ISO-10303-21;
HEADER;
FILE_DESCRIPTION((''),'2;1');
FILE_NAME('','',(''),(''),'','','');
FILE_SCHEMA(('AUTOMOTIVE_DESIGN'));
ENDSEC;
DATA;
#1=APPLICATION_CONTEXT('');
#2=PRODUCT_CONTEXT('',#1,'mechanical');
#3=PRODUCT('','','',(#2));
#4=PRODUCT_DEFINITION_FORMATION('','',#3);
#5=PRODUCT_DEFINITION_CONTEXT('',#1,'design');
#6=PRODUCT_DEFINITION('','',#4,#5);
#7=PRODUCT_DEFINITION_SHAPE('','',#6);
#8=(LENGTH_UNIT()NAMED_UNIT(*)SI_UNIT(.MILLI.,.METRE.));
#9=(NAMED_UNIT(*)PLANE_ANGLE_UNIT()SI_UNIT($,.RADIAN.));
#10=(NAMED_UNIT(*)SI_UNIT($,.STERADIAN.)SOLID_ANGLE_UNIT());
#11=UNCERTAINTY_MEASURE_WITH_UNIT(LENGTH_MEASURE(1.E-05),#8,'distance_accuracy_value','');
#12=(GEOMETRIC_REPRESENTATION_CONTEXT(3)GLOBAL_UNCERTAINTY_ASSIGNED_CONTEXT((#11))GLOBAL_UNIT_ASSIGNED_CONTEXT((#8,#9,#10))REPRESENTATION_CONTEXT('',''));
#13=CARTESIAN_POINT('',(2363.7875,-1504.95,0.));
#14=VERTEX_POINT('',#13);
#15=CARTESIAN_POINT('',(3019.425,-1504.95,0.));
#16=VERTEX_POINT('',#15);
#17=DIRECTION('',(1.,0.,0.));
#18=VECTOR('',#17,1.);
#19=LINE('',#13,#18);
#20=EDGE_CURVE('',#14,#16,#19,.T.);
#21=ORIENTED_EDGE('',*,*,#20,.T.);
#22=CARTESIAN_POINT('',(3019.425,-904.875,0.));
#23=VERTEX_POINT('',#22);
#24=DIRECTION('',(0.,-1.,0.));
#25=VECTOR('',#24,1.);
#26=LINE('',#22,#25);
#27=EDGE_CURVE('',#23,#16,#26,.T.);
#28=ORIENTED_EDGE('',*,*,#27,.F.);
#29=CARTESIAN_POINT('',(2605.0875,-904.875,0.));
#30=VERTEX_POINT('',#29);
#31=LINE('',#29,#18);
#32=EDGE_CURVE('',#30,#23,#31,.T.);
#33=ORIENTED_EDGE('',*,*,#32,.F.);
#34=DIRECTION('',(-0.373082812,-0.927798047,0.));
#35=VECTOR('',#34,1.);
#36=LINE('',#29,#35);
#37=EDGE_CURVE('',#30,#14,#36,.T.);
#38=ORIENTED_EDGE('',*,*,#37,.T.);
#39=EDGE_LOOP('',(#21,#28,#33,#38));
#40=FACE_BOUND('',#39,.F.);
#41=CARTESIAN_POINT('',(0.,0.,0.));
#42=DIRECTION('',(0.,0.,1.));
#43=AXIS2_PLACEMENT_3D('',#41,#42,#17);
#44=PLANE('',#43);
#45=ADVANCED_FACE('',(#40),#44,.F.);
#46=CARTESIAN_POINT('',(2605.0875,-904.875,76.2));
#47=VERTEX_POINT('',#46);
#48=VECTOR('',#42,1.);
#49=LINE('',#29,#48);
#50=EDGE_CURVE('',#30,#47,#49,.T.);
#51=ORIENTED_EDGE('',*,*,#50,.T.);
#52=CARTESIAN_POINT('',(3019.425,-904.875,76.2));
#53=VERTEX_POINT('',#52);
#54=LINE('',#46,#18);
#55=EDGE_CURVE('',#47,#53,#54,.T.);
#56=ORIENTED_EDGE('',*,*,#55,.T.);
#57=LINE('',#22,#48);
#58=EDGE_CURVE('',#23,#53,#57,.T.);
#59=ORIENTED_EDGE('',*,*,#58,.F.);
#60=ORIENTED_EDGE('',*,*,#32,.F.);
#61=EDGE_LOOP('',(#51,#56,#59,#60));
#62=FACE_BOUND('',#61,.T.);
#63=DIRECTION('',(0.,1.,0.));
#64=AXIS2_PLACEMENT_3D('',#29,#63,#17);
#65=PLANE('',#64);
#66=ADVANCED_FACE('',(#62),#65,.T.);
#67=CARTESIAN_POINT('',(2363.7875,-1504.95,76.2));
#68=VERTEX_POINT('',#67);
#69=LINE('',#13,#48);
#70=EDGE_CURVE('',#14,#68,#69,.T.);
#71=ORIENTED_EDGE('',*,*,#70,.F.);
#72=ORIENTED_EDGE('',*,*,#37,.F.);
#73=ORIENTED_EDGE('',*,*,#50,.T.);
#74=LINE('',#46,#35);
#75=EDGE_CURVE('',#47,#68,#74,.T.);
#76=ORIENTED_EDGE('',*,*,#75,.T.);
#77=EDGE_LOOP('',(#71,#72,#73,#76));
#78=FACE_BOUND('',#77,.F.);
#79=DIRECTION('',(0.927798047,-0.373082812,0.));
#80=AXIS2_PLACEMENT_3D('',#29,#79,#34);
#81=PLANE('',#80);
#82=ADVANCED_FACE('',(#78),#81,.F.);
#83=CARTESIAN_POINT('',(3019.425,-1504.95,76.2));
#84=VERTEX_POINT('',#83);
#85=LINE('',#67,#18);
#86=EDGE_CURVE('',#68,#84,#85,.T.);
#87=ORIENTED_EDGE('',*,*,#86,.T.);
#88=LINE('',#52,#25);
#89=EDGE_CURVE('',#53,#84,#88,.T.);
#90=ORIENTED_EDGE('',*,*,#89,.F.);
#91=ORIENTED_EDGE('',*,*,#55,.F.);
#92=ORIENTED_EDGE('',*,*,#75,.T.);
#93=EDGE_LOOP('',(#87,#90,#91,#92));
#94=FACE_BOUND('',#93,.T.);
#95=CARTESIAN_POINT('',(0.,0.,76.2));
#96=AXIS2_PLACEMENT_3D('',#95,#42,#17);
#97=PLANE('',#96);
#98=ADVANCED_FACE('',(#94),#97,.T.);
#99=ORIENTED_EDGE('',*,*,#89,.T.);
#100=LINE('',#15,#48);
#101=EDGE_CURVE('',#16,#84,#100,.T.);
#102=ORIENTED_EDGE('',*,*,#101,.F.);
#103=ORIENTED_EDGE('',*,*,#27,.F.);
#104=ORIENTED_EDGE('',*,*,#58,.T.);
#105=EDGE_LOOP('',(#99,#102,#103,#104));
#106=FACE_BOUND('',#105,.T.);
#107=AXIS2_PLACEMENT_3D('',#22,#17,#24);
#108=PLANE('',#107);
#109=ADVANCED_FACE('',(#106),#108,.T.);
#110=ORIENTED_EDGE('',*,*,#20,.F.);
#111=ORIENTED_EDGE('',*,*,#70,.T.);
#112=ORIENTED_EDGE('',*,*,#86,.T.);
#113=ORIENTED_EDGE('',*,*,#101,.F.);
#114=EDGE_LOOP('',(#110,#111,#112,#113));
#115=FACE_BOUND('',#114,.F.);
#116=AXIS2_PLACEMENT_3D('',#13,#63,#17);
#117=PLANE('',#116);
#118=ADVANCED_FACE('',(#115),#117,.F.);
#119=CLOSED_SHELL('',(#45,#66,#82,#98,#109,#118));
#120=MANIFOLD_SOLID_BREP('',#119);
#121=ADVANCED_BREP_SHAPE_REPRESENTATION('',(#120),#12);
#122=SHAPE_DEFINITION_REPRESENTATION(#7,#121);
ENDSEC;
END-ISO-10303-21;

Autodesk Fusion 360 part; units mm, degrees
sketch "Sketch1" plane through (0, 0, 0) normal (0, 0, 1) x (1, 0, 0)
  line L0 (0, 0) -> (0, -600.075)
  line L1 (0, -600.075) -> (744.5375, -600.075)
  line L2 (0, 0) -> (947.7375, 0)
  line L3 (947.7375, 0) -> (744.5375, -600.075)
  line L4 (1049.3375, -600.075) -> (2105.025, -600.075)
  line L5 (1049.3375, -600.075) -> (1252.5375, 0)
  line L6 (2105.025, -600.075) -> (1698.625, 0)
  line L7 (1252.5375, 0) -> (1698.625, 0)
  line L8 (2003.425, 0) -> (3025.775, 0)
  line L9 (2409.825, -600.075) -> (3025.775, -600.075)
  line L10 (3025.775, 0) -> (3025.775, -600.075)
  line L11 (2409.825, -600.075) -> (2003.425, 0)
  line L12 (0, -904.875) -> (0, -1504.95)
  line L13 (0, -1504.95) -> (376.2375, -1504.95)
  line L14 (376.2375, -1504.95) -> (528.6375, -904.875)
  line L15 (0, -904.875) -> (528.6375, -904.875)
  line L16 (579.4375, -1504.95) -> (1636.7125, -1504.95)
  line L17 (731.8375, -904.875) -> (1420.8125, -904.875)
  line L18 (579.4375, -1504.95) -> (731.8375, -904.875)
  line L19 (1420.8125, -904.875) -> (1636.7125, -1504.95)
  line L20 (1839.9125, -1504.95) -> (2160.5875, -1504.95)
  line L21 (1624.0125, -904.875) -> (2401.8875, -904.875)
  line L22 (1624.0125, -904.875) -> (1839.9125, -1504.95)
  line L23 (2160.5875, -1504.95) -> (2401.8875, -904.875)
  line L24 (2363.7875, -1504.95) -> (3019.425, -1504.95)
  line L25 (2605.0875, -904.875) -> (3019.425, -904.875)
  line L26 (3019.425, -904.875) -> (3019.425, -1504.95)
  line L27 (2605.0875, -904.875) -> (2363.7875, -1504.95)
  line L28 (0, -1809.75) -> (0, -2409.825)
  line L29 (0, -1809.75) -> (909.6375, -1809.75)
  line L30 (0, -2409.825) -> (795.3375, -2409.825)
  line L31 (795.3375, -2409.825) -> (909.6375, -1809.75)
  line L32 (1214.4375, -1809.75) -> (2017.7125, -1809.75)
  line L33 (1100.1375, -2409.825) -> (1878.0125, -2409.825)
  line L34 (1100.1375, -2409.825) -> (1214.4375, -1809.75)
  line L35 (1878.0125, -2409.825) -> (2017.7125, -1809.75)
  line L36 (2182.8125, -2409.825) -> (3028.95, -2409.825)
  line L37 (2322.5125, -1809.75) -> (3028.95, -1809.75)
  line L38 (2322.5125, -1809.75) -> (2182.8125, -2409.825)
  line L39 (3028.95, -1809.75) -> (3028.95, -2409.825)
  line L40 (0, -2714.625) -> (0, -3314.7)
  line L41 (0, -2714.625) -> (465.1375, -2714.625)
  line L42 (465.1375, -2714.625) -> (465.1375, -3314.7)
  line L43 (465.1375, -3314.7) -> (0, -3314.7)
  line L44 (668.3375, -3314.7) -> (1268.4125, -3314.7)
  line L45 (668.3375, -3314.7) -> (668.3375, -2714.625)
  line L46 (668.3375, -2714.625) -> (1458.9125, -2714.625)
  line L47 (1458.9125, -2714.625) -> (1268.4125, -3314.7)
  line L48 (1471.6125, -3314.7) -> (2236.7875, -3314.7)
  line L49 (1662.1125, -2714.625) -> (2528.8875, -2714.625)
  line L50 (1471.6125, -3314.7) -> (1662.1125, -2714.625)
  line L51 (2528.8875, -2714.625) -> (2236.7875, -3314.7)
  line L52 (2439.9875, -3314.7) -> (3019.425, -3314.7)
  line L53 (2732.0875, -2714.625) -> (3019.425, -2714.625)
  line L54 (2439.9875, -3314.7) -> (2732.0875, -2714.625)
  line L55 (3019.425, -2714.625) -> (3019.425, -3314.7)
  dimension "d1" = 600.075
  dimension "d2" = 744.5375
  dimension "d3" = 1055.6875
  dimension "d4" = 304.8
  dimension "d5" = 1022.35
  dimension "d6" = 615.95
  dimension "d7" = 0
  dimension "d8" = 304.8
  dimension "d9" = 376.2375
  dimension "d10" = 1057.275
  dimension "d11" = 203.2
  dimension "d12" = 688.975
  dimension "d13" = 320.675
  dimension "d14" = 777.875
  dimension "d15" = 203.2
  dimension "d16" = 655.6375
  dimension "d17" = 414.3375
  dimension "d18" = 203.2
  dimension "d19" = 0
  dimension "d20" = 0
  dimension "d21" = 909.6375
  dimension "d22" = 795.3375
  dimension "d23" = 803.275
  dimension "d24" = 777.875
  dimension "d25" = 304.8
  dimension "d26" = 846.1375
  dimension "d27" = 304.8
  dimension "d28" = 706.4375
  dimension "d29" = 304.8
  dimension "d30" = 947.7375
  dimension "d31" = 446.0875
  dimension "d32" = 528.6375
  dimension "d33" = 0
  dimension "d34" = 0
  dimension "d35" = 465.1375
  dimension "d36" = 600.075
  dimension "d37" = 203.2
  dimension "d38" = 790.575
  dimension "d39" = 765.175
  dimension "d40" = 203.2
  dimension "d41" = 866.775
  dimension "d42" = 579.4375
  dimension "d43" = 287.3375
  dimension "d44" = 203.2
extrude "Extrude1" add sketch "Sketch1" along normal blind 76.2 contours L24 L25 L26 L27
equation "d1 = 23 5/8\""
equation "d2 = 29 5/16\""
equation "d3 = 41 9/16\""
equation "d5 = 40 1/4\""
equation "d6 = 24 1/4\""
equation "d7 = d20"
equation "d9 = 14 13/16\""
equation "d12 = 27 1/8\""
equation "d13 = 12 5/8\""
equation "d14 = 30 5/8\""
equation "d16 = 25 13/16\""
equation "d17 = 16 5/16\""
equation "d19 = d20"
equation "d20 = d33"
equation "d21 = 35 13/16\""
equation "d22 = 31 5/16\""
equation "d23 = 31 5/8\""
equation "d24 = 30 5/8\""
equation "d26 = 33 5/16\""
equation "d28 = 27 13/16\""
equation "d30 = 37 5/16\""
equation "d31 = 17 9/16\""
equation "d32 = 20 13/16\""
equation "d33 = d33"
equation "d34 = d20"
equation "d35 = 18 5/16\""
equation "d36 = 23 5/8\""
equation "d38 = 31 1/8\""
equation "d41 = 34 1/8\""
